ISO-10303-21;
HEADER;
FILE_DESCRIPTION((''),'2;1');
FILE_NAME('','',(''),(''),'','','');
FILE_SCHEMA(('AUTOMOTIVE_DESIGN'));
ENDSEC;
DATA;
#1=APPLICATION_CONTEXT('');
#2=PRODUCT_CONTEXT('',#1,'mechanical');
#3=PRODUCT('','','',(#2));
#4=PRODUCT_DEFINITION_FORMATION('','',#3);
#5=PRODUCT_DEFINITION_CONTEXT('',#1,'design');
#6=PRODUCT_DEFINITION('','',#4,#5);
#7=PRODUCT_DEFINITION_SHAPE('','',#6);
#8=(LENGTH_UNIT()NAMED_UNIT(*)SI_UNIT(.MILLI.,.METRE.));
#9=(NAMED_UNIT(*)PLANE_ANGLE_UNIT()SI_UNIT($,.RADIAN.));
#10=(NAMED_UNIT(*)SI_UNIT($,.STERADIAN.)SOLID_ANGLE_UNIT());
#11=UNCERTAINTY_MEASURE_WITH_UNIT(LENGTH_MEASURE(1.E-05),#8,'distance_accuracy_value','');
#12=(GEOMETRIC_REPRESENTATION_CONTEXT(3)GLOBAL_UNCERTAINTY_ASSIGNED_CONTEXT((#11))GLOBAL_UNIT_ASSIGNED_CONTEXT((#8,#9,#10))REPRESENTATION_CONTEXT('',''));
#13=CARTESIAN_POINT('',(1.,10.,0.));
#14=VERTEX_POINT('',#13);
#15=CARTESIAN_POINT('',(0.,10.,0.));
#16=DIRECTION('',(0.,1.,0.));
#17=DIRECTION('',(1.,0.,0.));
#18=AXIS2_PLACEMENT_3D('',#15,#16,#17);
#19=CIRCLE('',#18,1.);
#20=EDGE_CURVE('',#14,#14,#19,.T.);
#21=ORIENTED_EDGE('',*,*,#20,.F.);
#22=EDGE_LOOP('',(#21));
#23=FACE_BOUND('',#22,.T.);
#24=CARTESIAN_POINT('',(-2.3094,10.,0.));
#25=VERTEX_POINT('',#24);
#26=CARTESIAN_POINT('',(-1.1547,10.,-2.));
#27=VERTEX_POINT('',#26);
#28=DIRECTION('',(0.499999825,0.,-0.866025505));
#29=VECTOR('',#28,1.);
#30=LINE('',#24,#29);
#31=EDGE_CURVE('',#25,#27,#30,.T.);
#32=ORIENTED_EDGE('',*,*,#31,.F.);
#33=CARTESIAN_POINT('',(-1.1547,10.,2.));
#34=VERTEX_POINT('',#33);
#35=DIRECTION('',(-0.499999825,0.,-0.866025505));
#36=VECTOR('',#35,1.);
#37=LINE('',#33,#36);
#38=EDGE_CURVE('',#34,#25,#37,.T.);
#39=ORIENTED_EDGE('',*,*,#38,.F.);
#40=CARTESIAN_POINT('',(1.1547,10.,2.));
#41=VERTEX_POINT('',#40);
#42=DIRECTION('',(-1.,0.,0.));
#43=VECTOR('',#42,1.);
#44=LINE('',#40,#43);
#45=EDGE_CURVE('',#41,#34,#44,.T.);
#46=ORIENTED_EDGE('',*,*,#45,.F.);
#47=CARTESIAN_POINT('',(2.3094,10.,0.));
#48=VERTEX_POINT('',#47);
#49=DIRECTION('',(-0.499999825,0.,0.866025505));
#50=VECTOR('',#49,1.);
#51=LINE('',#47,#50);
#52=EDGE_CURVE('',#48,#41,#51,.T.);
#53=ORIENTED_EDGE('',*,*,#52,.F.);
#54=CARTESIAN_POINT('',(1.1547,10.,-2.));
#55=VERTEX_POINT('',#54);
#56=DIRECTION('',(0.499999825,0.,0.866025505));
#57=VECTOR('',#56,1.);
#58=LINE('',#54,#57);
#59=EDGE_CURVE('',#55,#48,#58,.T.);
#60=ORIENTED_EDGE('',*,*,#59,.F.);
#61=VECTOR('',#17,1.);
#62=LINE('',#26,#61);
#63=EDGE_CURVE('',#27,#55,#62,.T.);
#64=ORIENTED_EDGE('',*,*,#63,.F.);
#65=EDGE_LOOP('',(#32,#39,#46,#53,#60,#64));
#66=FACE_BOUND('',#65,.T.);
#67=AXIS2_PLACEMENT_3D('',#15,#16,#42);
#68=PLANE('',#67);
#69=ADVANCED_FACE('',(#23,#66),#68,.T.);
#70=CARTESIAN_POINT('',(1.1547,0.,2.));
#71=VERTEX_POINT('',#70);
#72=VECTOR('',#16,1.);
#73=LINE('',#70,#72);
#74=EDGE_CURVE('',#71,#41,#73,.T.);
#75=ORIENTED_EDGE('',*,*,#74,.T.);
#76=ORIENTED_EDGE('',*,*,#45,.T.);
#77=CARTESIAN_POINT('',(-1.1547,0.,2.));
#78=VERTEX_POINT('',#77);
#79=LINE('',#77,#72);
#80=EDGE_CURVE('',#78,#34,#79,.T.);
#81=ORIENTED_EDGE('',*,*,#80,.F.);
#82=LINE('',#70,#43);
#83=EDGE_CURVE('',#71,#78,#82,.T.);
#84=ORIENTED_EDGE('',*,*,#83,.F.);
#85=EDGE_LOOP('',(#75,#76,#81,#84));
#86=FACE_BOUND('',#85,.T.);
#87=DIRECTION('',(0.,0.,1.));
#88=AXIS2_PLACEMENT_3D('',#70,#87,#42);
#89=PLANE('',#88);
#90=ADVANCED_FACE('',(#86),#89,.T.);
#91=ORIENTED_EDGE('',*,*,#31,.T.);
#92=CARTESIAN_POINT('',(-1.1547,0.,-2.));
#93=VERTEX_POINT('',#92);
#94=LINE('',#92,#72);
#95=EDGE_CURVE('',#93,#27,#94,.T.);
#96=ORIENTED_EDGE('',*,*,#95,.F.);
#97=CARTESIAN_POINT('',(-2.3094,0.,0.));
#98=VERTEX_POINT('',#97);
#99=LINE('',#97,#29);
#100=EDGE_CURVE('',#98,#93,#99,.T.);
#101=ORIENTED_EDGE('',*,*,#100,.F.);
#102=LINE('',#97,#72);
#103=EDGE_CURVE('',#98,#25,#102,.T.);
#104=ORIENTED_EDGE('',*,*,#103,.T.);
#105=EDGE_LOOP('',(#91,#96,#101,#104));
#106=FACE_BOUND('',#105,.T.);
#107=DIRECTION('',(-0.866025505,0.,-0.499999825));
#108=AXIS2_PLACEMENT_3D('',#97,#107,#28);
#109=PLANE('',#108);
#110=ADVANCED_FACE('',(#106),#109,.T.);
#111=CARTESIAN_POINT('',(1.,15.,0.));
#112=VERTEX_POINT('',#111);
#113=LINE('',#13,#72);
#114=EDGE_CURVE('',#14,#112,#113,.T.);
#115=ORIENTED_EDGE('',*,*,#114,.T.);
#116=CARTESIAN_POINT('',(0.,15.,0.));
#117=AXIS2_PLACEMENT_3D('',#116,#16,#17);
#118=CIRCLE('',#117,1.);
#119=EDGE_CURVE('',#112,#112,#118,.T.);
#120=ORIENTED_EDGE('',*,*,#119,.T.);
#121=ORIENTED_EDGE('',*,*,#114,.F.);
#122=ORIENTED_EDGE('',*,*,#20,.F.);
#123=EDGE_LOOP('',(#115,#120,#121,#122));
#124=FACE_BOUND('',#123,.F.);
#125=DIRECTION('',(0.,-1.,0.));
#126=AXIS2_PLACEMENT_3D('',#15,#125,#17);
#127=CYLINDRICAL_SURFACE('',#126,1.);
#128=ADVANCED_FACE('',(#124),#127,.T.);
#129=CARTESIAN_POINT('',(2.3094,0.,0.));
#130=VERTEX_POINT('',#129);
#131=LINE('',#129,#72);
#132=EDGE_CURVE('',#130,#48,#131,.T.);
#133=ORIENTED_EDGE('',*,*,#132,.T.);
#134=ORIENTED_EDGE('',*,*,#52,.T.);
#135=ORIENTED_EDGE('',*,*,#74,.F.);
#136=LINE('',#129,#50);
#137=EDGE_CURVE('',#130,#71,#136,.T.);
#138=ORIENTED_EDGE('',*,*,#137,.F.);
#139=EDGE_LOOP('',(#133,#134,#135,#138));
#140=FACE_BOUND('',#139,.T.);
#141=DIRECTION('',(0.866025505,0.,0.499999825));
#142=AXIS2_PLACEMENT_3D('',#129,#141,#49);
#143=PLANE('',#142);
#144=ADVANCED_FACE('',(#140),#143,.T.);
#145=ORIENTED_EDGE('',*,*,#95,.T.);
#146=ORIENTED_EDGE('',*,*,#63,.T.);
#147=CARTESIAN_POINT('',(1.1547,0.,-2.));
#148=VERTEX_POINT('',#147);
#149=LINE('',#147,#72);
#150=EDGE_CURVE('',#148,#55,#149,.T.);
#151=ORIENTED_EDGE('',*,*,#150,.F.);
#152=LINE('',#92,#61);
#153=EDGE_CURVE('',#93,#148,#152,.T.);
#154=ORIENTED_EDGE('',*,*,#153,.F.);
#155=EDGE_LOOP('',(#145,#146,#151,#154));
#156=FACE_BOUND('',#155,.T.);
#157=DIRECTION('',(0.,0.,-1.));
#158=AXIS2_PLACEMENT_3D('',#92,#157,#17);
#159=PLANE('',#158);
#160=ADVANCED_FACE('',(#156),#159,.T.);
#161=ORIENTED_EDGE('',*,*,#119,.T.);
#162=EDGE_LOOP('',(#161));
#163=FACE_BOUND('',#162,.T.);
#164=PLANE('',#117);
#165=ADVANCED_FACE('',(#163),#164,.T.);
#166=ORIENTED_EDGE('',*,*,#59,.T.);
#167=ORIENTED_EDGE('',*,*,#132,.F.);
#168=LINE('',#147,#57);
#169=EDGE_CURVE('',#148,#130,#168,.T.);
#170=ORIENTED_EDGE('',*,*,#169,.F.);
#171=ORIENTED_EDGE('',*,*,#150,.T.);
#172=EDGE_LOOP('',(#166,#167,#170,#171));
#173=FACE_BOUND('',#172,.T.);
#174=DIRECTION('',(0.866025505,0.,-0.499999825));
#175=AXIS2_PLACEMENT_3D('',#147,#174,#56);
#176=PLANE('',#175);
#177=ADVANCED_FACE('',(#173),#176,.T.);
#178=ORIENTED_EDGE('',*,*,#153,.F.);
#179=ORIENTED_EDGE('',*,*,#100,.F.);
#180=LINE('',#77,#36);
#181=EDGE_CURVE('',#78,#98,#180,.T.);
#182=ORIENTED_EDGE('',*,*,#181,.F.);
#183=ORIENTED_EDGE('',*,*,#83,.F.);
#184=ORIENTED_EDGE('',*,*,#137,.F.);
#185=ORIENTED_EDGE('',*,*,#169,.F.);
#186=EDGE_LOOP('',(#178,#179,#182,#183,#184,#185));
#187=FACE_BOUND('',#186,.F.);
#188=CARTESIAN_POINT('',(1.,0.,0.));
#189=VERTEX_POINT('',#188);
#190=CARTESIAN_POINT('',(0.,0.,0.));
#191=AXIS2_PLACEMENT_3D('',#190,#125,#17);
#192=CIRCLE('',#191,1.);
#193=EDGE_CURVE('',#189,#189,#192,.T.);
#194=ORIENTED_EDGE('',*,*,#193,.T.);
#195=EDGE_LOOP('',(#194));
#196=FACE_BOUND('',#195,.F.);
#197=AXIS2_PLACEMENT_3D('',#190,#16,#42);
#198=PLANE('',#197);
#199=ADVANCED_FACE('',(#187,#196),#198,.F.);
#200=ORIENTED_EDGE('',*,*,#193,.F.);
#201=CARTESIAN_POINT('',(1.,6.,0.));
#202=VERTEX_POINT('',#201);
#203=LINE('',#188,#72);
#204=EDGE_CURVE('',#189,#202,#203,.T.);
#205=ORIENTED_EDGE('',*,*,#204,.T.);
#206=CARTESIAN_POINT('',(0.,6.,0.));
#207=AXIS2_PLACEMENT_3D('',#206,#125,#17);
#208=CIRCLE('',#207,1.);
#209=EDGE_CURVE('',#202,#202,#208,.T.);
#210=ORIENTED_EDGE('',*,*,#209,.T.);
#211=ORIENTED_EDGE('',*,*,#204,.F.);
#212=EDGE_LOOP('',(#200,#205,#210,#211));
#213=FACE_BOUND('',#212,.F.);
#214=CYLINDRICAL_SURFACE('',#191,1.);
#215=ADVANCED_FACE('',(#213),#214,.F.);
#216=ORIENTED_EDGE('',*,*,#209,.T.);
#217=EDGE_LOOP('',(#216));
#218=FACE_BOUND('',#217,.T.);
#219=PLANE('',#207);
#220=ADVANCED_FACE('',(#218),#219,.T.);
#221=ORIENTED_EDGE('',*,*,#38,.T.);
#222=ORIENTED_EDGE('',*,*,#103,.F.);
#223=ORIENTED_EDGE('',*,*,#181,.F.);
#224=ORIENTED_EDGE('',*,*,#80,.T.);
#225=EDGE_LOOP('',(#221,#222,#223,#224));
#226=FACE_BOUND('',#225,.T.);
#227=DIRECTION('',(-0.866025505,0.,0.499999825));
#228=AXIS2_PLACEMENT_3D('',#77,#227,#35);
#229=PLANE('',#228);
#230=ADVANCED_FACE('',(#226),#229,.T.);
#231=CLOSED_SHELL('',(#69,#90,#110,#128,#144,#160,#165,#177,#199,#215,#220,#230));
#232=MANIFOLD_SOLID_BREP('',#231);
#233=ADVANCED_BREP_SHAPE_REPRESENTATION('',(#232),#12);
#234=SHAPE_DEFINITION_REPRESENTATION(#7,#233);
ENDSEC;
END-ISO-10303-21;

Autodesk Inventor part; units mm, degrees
ref_plane "YZ Plane" through (0, 0, 0) normal (1, 0, 0) x (0, 1, 0)
ref_plane "XZ Plane" through (0, 0, 0) normal (0, 1, 0) x (-1, 0, 0)
ref_plane "XY Plane" through (0, 0, 0) normal (0, 0, 1) x (1, 0, 0)
sketch "Sketch1" plane through (0, 0, 0) normal (0, 1, 0) x (-1, 0, 0)
  line L0 (2.3094, 0) -> (1.1547, -2)
  line L1 (1.1547, -2) -> (-1.1547, -2)
  line L2 (-1.1547, -2) -> (-2.3094, 0)
  line L3 (-2.3094, 0) -> (-1.1547, 2)
  line L4 (-1.1547, 2) -> (1.1547, 2)
  line L5 (1.1547, 2) -> (2.3094, 0)
  point P0 (0, 0)
  point P1 (0, 0)
  dimension "d0" = 4
extrude "Extrusion1" add sketch "Sketch1" along normal blind 10
sketch "Sketch2" plane through (0, 10, 0) normal (0, 1, 0) x (1, 0, 0)
  circle A0 centre (0, 0) radius 1
  dimension "d3" = 2
extrude "Extrusion2" add sketch "Sketch2" along normal blind 5
sketch "Sketch3" plane through (0, 0, 0) normal (0, -1, 0) x (1, 0, 0)
  circle A0 centre (0, 0) radius 1
  dimension "d6" = 2
extrude "Extrusion3" cut sketch "Sketch3" against normal blind 6
properties part number "M2x12 HEX SPACER"
